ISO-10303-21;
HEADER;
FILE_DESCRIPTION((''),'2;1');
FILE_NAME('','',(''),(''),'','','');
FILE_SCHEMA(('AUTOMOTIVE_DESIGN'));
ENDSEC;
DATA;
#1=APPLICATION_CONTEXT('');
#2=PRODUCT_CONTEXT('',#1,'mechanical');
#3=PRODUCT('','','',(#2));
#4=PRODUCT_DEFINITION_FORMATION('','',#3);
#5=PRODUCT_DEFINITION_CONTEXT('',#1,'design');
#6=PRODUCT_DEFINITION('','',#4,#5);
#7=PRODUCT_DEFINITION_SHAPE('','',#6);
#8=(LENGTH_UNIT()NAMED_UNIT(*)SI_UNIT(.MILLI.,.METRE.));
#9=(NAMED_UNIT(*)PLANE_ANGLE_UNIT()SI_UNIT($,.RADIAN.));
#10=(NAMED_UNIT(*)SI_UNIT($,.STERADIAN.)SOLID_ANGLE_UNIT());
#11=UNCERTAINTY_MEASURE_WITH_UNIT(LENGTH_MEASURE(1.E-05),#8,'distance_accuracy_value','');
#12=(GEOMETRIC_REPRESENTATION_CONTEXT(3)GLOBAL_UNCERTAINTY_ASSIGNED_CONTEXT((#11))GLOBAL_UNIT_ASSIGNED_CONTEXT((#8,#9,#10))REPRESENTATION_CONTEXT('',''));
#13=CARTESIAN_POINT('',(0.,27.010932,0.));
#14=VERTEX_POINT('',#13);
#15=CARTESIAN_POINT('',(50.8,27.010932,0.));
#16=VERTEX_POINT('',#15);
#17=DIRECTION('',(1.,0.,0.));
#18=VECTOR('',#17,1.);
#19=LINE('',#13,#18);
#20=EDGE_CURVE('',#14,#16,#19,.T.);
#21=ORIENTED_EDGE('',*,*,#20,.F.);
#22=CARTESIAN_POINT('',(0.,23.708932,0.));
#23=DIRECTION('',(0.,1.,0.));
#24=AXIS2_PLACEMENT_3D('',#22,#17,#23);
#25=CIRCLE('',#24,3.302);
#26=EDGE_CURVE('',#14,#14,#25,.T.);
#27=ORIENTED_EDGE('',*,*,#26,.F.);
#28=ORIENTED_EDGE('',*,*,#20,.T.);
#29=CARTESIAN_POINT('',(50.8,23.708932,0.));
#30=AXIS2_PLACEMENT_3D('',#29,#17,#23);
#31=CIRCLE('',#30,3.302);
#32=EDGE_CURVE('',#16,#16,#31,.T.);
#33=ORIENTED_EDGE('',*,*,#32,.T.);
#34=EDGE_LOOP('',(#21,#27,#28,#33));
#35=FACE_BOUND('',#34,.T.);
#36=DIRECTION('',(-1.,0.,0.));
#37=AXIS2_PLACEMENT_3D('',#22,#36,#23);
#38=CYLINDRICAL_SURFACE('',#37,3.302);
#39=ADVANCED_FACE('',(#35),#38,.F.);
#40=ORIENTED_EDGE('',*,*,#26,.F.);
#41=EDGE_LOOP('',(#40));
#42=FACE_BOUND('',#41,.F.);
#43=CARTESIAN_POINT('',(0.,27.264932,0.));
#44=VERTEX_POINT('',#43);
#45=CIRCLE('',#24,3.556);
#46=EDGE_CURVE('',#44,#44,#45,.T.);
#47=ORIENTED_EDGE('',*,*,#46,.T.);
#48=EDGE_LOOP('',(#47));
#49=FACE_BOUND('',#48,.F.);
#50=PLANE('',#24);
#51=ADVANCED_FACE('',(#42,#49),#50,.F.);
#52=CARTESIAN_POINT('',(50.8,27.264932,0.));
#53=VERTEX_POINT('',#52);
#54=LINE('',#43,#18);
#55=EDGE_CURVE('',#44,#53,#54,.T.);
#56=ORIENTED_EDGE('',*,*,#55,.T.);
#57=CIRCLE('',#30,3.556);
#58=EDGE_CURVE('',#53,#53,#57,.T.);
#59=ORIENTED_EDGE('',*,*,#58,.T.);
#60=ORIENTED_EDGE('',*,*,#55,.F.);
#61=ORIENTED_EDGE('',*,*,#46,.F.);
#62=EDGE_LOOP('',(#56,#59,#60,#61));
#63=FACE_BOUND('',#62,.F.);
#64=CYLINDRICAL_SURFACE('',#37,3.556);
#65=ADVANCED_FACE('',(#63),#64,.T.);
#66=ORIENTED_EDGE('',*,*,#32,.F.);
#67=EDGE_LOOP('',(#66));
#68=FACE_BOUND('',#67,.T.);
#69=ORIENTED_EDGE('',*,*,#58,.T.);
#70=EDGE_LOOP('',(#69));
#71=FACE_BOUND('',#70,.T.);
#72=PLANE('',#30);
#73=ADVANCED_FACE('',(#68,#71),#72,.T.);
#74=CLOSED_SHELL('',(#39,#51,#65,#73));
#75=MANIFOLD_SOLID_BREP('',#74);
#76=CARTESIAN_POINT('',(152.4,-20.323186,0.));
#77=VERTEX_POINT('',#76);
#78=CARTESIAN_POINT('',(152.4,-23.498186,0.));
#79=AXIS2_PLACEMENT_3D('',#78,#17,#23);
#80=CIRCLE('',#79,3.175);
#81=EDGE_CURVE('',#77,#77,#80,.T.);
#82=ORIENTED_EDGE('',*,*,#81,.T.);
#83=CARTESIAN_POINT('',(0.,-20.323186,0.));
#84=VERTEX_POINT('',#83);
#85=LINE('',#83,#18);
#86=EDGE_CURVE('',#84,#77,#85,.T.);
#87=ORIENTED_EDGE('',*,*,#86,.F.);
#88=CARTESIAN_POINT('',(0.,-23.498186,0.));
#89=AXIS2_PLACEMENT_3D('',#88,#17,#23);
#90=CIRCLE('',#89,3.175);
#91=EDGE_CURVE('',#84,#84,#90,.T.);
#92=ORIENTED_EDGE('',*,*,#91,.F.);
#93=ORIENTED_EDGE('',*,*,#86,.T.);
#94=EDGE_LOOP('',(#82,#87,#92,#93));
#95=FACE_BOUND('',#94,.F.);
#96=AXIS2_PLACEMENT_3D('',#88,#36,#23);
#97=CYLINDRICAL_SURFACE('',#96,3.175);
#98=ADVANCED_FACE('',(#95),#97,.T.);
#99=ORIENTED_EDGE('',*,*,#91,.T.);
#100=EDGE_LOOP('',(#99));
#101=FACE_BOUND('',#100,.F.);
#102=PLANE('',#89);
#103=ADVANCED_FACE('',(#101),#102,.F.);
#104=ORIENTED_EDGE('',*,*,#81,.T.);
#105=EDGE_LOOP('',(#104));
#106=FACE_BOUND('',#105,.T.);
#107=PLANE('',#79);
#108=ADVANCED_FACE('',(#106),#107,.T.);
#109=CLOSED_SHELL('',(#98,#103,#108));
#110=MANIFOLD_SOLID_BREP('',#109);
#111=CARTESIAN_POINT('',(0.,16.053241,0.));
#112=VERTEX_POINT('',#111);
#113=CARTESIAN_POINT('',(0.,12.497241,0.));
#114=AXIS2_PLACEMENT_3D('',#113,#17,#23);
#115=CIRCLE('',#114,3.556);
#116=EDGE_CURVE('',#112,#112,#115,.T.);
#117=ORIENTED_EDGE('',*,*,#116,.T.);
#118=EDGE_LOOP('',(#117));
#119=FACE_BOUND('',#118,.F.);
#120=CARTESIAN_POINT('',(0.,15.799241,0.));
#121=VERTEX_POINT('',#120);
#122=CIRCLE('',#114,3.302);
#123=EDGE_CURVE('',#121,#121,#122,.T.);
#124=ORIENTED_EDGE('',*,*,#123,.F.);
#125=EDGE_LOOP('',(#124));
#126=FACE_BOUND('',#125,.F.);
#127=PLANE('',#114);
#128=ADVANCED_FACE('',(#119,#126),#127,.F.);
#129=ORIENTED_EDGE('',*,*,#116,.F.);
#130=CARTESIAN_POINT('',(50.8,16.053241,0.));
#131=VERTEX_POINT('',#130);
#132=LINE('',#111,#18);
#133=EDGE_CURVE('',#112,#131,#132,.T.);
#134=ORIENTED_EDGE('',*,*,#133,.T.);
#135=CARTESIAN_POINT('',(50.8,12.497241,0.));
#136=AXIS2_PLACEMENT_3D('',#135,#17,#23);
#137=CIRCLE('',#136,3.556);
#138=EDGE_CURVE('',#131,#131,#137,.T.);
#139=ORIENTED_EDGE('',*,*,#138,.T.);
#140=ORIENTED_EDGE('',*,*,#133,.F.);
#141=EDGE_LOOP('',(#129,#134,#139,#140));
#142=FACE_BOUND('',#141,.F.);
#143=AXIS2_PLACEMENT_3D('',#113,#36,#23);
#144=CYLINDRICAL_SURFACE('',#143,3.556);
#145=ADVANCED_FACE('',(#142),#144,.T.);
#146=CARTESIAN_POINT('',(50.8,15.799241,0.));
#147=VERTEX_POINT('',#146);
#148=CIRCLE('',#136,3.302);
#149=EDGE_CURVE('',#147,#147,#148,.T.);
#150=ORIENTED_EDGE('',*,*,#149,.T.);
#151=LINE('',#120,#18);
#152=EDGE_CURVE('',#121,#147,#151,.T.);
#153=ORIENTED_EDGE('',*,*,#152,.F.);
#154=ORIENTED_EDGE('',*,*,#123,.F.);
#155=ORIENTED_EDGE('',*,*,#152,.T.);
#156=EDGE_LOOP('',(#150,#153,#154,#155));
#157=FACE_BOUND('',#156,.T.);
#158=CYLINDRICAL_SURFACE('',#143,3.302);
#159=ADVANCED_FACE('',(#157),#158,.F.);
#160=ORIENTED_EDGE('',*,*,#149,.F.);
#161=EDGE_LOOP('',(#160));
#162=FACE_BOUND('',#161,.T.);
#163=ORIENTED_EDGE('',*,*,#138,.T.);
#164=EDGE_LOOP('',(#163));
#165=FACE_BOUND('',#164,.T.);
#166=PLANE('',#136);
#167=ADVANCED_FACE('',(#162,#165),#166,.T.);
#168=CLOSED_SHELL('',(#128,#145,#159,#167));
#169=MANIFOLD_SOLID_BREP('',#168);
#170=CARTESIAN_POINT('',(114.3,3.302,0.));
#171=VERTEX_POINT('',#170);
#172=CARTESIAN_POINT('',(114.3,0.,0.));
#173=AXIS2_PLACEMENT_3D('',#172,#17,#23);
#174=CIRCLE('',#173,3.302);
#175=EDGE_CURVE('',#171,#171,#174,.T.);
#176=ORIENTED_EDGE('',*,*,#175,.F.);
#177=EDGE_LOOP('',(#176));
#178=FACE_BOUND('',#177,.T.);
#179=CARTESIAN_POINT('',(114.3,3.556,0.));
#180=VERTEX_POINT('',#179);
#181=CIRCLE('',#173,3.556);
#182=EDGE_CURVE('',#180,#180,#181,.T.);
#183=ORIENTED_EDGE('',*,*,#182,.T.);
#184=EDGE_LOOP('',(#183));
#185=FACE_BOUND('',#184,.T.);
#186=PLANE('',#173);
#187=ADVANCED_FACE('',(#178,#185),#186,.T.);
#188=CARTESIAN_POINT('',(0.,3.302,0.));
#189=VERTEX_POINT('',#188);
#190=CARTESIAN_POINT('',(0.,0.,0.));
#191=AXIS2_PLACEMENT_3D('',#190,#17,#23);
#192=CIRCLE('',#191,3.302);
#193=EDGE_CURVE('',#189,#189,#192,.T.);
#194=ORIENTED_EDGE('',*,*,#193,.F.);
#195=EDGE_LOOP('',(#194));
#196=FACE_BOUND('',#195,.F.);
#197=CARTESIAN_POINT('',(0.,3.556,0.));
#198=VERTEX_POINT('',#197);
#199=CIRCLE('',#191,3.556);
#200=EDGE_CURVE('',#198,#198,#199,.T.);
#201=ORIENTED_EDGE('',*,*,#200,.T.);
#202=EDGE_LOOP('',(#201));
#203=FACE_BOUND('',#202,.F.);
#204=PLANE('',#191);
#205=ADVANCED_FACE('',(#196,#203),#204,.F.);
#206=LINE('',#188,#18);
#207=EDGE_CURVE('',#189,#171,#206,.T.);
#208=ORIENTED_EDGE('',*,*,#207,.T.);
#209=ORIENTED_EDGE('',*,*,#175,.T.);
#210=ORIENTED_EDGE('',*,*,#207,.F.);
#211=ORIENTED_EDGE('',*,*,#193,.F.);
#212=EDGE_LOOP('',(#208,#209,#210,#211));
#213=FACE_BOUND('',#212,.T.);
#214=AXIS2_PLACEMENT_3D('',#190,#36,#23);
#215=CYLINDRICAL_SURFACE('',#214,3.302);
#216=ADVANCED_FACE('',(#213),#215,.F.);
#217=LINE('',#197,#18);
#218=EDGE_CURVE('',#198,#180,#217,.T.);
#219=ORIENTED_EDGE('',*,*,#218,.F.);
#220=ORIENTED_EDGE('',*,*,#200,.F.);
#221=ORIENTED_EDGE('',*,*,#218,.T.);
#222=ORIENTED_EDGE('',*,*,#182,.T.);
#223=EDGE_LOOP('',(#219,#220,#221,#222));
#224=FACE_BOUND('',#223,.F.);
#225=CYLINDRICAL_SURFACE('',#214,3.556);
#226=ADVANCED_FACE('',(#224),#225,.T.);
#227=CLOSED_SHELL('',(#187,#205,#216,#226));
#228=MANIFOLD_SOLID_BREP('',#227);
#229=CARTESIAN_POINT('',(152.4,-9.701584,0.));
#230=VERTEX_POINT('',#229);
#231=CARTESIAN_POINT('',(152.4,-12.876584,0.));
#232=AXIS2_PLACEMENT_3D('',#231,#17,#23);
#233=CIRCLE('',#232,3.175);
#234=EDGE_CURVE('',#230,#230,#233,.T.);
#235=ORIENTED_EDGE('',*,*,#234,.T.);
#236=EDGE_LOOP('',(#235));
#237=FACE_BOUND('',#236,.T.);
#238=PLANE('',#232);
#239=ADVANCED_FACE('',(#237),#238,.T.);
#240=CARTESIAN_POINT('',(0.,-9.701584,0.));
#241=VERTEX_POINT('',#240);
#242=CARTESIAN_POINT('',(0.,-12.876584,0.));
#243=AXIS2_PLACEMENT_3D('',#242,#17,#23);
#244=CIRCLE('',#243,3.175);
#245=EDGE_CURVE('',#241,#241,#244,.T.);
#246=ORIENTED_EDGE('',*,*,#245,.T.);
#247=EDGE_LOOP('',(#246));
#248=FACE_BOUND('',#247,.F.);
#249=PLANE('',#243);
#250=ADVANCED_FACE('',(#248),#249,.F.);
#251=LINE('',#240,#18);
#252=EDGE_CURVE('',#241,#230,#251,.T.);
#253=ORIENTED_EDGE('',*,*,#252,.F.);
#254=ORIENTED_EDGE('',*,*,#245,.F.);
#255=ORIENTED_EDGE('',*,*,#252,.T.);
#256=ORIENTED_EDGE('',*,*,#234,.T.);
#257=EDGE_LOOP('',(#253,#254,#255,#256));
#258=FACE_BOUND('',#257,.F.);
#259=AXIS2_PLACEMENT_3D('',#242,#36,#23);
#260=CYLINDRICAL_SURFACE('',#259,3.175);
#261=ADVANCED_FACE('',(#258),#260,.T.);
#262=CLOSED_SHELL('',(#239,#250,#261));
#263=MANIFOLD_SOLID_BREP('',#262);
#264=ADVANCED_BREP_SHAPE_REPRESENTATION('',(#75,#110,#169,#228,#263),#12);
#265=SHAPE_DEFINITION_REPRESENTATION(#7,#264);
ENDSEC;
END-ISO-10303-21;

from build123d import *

# Parameters (mm, degrees)
F0_R        = 3.556
F0_R_2      = 3.302
F0_R_3      = 3.175
F1_DEPTH    = 152.4
F1_FACE_R   = 3.556
F1_FACE_R_2 = 3.302
F2_DEPTH    = 101.6
F3_DEPTH    = 101.6
F4_DEPTH    = 38.1


with BuildPart() as f1:
    # F0 (on Right) → F1 (new body)
    with BuildSketch(Plane.YZ):
        Circle(F0_R)
        Circle(F0_R_2, mode=Mode.SUBTRACT)
        with Locations((12.497241, 0)):
            Circle(F0_R)
        with Locations((12.497241, 0)):
            Circle(F0_R_2, mode=Mode.SUBTRACT)
        with Locations((-12.876584, 0)):
            Circle(F0_R_3)
        with Locations((-23.498186, 0)):
            Circle(F0_R_3)
        with Locations((23.708932, 0)):
            Circle(F0_R)
        with Locations((23.708932, 0)):
            Circle(F0_R_2, mode=Mode.SUBTRACT)
    extrude(amount=F1_DEPTH)

    # F1_face (on face) → F2 (cut)
    with BuildSketch(Plane(origin=(152.4, 23.708932, 0), x_dir=(0, 1, 0), z_dir=(1, 0, 0))):
        Circle(F1_FACE_R)
        Circle(F1_FACE_R_2, mode=Mode.SUBTRACT)
    extrude(amount=-F2_DEPTH, mode=Mode.SUBTRACT)

    # F1_face (on face) → F3 (cut)
    with BuildSketch(Plane(origin=(152.4, 23.708932, 0), x_dir=(0, 1, 0), z_dir=(1, 0, 0))):
        with Locations((-11.211691, 0)):
            Circle(F1_FACE_R)
        with Locations((-11.211691, 0)):
            Circle(F1_FACE_R_2, mode=Mode.SUBTRACT)
    extrude(amount=-F3_DEPTH, mode=Mode.SUBTRACT)

    # F1_face (on face) → F4 (cut)
    with BuildSketch(Plane(origin=(152.4, 23.708932, 0), x_dir=(0, 1, 0), z_dir=(1, 0, 0))):
        with Locations((-23.708932, 0)):
            Circle(F1_FACE_R)
        with Locations((-23.708932, 0)):
            Circle(F1_FACE_R_2, mode=Mode.SUBTRACT)
    extrude(amount=-F4_DEPTH, mode=Mode.SUBTRACT)


solid = f1.part
